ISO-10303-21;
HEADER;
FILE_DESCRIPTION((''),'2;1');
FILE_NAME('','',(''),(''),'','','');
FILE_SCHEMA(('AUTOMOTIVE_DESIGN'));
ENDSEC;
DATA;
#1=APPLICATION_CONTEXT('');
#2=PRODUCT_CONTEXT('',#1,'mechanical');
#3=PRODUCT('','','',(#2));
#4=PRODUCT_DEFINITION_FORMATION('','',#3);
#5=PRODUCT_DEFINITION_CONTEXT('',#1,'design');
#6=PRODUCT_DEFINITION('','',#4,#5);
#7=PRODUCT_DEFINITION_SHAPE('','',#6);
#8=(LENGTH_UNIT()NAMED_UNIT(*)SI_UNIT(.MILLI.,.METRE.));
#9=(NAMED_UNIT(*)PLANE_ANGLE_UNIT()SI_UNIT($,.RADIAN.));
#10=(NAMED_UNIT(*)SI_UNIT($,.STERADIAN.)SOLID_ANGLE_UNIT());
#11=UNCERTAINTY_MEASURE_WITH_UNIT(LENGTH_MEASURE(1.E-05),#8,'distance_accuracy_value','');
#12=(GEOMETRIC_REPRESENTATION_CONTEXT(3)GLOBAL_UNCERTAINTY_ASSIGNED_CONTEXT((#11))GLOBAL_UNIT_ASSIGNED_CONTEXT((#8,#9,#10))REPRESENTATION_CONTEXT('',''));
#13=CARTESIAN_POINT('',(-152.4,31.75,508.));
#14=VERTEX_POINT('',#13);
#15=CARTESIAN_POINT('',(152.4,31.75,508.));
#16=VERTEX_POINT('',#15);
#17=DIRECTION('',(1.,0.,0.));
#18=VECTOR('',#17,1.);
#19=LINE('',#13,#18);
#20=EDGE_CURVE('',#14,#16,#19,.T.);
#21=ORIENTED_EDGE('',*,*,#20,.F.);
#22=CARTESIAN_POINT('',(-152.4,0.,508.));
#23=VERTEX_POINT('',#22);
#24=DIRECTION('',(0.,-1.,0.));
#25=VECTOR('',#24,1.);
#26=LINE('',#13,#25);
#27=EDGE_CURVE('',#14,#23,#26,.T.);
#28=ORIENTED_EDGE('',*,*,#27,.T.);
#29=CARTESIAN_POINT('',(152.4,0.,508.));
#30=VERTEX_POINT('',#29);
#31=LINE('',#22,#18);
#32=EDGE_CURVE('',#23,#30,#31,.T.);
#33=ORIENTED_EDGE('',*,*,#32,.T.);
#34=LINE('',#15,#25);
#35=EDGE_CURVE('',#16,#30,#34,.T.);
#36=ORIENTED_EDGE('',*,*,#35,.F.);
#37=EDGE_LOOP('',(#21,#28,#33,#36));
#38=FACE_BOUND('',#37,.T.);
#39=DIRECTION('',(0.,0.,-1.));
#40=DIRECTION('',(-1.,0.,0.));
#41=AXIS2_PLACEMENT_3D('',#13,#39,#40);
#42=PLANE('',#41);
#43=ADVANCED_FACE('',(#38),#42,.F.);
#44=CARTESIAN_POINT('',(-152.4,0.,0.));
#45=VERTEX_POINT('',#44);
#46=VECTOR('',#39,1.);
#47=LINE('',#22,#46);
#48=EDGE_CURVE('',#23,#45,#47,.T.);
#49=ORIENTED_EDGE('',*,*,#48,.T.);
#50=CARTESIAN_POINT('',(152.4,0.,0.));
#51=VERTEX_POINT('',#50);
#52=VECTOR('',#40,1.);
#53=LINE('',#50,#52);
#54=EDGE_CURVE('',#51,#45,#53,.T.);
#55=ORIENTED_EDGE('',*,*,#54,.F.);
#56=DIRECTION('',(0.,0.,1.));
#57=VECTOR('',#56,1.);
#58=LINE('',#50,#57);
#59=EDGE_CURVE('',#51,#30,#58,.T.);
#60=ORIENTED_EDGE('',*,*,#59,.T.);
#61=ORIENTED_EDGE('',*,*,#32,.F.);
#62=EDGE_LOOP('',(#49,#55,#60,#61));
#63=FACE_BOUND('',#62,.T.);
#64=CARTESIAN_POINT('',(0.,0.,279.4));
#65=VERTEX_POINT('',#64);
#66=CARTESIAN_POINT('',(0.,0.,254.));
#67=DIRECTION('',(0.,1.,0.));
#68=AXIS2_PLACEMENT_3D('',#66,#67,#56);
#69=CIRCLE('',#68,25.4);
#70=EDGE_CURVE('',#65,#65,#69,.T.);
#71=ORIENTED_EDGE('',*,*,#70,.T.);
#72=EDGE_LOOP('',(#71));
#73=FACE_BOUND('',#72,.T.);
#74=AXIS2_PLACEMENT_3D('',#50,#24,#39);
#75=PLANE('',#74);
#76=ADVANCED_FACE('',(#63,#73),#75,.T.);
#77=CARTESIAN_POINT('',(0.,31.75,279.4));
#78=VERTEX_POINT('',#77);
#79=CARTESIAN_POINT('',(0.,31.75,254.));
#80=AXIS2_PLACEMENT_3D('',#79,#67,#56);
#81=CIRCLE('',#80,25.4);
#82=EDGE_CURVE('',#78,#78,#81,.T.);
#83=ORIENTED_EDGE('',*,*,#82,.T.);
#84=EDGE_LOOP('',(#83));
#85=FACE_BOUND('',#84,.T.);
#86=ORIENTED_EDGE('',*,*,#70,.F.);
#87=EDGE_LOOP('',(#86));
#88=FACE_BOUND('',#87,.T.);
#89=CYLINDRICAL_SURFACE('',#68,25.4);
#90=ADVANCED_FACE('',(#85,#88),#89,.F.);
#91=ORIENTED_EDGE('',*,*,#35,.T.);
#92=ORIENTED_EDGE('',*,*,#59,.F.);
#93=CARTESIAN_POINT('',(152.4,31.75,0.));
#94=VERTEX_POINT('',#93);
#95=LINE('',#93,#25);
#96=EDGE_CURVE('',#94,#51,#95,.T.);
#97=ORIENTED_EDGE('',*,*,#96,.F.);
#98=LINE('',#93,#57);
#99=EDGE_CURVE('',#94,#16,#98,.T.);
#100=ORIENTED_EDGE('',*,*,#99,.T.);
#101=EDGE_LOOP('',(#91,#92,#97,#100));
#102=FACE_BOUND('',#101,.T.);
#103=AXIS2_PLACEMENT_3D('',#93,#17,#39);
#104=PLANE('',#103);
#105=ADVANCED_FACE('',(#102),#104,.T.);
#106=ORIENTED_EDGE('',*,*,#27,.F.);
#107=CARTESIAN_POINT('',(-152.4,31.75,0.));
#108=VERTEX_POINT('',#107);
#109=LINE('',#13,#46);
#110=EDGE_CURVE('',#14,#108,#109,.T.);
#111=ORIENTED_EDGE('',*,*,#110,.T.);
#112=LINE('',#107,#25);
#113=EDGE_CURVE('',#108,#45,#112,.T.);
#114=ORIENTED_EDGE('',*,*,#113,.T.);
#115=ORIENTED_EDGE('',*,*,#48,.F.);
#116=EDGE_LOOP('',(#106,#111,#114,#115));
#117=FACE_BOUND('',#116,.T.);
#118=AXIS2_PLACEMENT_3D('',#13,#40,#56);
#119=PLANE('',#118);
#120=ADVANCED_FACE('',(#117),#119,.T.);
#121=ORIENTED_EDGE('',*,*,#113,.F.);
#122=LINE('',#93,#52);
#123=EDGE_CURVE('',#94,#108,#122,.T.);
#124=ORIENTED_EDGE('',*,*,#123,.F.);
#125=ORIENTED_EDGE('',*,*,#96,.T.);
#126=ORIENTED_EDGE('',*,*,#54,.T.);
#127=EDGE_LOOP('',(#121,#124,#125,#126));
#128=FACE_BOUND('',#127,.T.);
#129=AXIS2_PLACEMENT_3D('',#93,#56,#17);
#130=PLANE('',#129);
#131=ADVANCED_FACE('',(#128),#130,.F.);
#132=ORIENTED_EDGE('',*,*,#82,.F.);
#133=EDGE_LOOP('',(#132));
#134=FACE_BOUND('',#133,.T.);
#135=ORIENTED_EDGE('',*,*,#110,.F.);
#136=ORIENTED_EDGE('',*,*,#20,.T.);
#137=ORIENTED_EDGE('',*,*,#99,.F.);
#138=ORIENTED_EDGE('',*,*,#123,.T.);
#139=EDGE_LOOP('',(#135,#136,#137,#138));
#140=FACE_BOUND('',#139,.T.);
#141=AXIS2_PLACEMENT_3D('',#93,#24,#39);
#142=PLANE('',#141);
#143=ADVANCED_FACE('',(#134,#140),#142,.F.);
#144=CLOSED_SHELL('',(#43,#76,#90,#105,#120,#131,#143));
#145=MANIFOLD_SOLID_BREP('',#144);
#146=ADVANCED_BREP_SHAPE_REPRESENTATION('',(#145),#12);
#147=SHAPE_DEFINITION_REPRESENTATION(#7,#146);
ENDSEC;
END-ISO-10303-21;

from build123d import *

# Parameters (mm, degrees)
SKETCH2_W          = 304.8
SKETCH2_H          = 508
BASE_EXTRUDE_DEPTH = 31.75
SKETCH3_R          = 25.4
CUT_EXTRUDE1_DEPTH = 532.317064002


with BuildPart() as part:
    # Sketch2 → Base-Extrude (new body)
    with BuildSketch(Plane(origin=(0, 0, 0), x_dir=(1, 0, 0), z_dir=(0, 1, 0))):
        with Locations((0, -254)):
            Rectangle(SKETCH2_W, SKETCH2_H)
    extrude(amount=BASE_EXTRUDE_DEPTH)

    # Sketch3 → Cut-Extrude1 (cut, through all)
    with BuildSketch(Plane(origin=(0, 31.75, 0), x_dir=(-1, 0, 0), z_dir=(0, 1, 0))):
        with Locations(Location((0, 254, 0), (0, 0, 90))):
            Circle(SKETCH3_R)
    extrude(amount=-CUT_EXTRUDE1_DEPTH, mode=Mode.SUBTRACT)


solid = part.part
